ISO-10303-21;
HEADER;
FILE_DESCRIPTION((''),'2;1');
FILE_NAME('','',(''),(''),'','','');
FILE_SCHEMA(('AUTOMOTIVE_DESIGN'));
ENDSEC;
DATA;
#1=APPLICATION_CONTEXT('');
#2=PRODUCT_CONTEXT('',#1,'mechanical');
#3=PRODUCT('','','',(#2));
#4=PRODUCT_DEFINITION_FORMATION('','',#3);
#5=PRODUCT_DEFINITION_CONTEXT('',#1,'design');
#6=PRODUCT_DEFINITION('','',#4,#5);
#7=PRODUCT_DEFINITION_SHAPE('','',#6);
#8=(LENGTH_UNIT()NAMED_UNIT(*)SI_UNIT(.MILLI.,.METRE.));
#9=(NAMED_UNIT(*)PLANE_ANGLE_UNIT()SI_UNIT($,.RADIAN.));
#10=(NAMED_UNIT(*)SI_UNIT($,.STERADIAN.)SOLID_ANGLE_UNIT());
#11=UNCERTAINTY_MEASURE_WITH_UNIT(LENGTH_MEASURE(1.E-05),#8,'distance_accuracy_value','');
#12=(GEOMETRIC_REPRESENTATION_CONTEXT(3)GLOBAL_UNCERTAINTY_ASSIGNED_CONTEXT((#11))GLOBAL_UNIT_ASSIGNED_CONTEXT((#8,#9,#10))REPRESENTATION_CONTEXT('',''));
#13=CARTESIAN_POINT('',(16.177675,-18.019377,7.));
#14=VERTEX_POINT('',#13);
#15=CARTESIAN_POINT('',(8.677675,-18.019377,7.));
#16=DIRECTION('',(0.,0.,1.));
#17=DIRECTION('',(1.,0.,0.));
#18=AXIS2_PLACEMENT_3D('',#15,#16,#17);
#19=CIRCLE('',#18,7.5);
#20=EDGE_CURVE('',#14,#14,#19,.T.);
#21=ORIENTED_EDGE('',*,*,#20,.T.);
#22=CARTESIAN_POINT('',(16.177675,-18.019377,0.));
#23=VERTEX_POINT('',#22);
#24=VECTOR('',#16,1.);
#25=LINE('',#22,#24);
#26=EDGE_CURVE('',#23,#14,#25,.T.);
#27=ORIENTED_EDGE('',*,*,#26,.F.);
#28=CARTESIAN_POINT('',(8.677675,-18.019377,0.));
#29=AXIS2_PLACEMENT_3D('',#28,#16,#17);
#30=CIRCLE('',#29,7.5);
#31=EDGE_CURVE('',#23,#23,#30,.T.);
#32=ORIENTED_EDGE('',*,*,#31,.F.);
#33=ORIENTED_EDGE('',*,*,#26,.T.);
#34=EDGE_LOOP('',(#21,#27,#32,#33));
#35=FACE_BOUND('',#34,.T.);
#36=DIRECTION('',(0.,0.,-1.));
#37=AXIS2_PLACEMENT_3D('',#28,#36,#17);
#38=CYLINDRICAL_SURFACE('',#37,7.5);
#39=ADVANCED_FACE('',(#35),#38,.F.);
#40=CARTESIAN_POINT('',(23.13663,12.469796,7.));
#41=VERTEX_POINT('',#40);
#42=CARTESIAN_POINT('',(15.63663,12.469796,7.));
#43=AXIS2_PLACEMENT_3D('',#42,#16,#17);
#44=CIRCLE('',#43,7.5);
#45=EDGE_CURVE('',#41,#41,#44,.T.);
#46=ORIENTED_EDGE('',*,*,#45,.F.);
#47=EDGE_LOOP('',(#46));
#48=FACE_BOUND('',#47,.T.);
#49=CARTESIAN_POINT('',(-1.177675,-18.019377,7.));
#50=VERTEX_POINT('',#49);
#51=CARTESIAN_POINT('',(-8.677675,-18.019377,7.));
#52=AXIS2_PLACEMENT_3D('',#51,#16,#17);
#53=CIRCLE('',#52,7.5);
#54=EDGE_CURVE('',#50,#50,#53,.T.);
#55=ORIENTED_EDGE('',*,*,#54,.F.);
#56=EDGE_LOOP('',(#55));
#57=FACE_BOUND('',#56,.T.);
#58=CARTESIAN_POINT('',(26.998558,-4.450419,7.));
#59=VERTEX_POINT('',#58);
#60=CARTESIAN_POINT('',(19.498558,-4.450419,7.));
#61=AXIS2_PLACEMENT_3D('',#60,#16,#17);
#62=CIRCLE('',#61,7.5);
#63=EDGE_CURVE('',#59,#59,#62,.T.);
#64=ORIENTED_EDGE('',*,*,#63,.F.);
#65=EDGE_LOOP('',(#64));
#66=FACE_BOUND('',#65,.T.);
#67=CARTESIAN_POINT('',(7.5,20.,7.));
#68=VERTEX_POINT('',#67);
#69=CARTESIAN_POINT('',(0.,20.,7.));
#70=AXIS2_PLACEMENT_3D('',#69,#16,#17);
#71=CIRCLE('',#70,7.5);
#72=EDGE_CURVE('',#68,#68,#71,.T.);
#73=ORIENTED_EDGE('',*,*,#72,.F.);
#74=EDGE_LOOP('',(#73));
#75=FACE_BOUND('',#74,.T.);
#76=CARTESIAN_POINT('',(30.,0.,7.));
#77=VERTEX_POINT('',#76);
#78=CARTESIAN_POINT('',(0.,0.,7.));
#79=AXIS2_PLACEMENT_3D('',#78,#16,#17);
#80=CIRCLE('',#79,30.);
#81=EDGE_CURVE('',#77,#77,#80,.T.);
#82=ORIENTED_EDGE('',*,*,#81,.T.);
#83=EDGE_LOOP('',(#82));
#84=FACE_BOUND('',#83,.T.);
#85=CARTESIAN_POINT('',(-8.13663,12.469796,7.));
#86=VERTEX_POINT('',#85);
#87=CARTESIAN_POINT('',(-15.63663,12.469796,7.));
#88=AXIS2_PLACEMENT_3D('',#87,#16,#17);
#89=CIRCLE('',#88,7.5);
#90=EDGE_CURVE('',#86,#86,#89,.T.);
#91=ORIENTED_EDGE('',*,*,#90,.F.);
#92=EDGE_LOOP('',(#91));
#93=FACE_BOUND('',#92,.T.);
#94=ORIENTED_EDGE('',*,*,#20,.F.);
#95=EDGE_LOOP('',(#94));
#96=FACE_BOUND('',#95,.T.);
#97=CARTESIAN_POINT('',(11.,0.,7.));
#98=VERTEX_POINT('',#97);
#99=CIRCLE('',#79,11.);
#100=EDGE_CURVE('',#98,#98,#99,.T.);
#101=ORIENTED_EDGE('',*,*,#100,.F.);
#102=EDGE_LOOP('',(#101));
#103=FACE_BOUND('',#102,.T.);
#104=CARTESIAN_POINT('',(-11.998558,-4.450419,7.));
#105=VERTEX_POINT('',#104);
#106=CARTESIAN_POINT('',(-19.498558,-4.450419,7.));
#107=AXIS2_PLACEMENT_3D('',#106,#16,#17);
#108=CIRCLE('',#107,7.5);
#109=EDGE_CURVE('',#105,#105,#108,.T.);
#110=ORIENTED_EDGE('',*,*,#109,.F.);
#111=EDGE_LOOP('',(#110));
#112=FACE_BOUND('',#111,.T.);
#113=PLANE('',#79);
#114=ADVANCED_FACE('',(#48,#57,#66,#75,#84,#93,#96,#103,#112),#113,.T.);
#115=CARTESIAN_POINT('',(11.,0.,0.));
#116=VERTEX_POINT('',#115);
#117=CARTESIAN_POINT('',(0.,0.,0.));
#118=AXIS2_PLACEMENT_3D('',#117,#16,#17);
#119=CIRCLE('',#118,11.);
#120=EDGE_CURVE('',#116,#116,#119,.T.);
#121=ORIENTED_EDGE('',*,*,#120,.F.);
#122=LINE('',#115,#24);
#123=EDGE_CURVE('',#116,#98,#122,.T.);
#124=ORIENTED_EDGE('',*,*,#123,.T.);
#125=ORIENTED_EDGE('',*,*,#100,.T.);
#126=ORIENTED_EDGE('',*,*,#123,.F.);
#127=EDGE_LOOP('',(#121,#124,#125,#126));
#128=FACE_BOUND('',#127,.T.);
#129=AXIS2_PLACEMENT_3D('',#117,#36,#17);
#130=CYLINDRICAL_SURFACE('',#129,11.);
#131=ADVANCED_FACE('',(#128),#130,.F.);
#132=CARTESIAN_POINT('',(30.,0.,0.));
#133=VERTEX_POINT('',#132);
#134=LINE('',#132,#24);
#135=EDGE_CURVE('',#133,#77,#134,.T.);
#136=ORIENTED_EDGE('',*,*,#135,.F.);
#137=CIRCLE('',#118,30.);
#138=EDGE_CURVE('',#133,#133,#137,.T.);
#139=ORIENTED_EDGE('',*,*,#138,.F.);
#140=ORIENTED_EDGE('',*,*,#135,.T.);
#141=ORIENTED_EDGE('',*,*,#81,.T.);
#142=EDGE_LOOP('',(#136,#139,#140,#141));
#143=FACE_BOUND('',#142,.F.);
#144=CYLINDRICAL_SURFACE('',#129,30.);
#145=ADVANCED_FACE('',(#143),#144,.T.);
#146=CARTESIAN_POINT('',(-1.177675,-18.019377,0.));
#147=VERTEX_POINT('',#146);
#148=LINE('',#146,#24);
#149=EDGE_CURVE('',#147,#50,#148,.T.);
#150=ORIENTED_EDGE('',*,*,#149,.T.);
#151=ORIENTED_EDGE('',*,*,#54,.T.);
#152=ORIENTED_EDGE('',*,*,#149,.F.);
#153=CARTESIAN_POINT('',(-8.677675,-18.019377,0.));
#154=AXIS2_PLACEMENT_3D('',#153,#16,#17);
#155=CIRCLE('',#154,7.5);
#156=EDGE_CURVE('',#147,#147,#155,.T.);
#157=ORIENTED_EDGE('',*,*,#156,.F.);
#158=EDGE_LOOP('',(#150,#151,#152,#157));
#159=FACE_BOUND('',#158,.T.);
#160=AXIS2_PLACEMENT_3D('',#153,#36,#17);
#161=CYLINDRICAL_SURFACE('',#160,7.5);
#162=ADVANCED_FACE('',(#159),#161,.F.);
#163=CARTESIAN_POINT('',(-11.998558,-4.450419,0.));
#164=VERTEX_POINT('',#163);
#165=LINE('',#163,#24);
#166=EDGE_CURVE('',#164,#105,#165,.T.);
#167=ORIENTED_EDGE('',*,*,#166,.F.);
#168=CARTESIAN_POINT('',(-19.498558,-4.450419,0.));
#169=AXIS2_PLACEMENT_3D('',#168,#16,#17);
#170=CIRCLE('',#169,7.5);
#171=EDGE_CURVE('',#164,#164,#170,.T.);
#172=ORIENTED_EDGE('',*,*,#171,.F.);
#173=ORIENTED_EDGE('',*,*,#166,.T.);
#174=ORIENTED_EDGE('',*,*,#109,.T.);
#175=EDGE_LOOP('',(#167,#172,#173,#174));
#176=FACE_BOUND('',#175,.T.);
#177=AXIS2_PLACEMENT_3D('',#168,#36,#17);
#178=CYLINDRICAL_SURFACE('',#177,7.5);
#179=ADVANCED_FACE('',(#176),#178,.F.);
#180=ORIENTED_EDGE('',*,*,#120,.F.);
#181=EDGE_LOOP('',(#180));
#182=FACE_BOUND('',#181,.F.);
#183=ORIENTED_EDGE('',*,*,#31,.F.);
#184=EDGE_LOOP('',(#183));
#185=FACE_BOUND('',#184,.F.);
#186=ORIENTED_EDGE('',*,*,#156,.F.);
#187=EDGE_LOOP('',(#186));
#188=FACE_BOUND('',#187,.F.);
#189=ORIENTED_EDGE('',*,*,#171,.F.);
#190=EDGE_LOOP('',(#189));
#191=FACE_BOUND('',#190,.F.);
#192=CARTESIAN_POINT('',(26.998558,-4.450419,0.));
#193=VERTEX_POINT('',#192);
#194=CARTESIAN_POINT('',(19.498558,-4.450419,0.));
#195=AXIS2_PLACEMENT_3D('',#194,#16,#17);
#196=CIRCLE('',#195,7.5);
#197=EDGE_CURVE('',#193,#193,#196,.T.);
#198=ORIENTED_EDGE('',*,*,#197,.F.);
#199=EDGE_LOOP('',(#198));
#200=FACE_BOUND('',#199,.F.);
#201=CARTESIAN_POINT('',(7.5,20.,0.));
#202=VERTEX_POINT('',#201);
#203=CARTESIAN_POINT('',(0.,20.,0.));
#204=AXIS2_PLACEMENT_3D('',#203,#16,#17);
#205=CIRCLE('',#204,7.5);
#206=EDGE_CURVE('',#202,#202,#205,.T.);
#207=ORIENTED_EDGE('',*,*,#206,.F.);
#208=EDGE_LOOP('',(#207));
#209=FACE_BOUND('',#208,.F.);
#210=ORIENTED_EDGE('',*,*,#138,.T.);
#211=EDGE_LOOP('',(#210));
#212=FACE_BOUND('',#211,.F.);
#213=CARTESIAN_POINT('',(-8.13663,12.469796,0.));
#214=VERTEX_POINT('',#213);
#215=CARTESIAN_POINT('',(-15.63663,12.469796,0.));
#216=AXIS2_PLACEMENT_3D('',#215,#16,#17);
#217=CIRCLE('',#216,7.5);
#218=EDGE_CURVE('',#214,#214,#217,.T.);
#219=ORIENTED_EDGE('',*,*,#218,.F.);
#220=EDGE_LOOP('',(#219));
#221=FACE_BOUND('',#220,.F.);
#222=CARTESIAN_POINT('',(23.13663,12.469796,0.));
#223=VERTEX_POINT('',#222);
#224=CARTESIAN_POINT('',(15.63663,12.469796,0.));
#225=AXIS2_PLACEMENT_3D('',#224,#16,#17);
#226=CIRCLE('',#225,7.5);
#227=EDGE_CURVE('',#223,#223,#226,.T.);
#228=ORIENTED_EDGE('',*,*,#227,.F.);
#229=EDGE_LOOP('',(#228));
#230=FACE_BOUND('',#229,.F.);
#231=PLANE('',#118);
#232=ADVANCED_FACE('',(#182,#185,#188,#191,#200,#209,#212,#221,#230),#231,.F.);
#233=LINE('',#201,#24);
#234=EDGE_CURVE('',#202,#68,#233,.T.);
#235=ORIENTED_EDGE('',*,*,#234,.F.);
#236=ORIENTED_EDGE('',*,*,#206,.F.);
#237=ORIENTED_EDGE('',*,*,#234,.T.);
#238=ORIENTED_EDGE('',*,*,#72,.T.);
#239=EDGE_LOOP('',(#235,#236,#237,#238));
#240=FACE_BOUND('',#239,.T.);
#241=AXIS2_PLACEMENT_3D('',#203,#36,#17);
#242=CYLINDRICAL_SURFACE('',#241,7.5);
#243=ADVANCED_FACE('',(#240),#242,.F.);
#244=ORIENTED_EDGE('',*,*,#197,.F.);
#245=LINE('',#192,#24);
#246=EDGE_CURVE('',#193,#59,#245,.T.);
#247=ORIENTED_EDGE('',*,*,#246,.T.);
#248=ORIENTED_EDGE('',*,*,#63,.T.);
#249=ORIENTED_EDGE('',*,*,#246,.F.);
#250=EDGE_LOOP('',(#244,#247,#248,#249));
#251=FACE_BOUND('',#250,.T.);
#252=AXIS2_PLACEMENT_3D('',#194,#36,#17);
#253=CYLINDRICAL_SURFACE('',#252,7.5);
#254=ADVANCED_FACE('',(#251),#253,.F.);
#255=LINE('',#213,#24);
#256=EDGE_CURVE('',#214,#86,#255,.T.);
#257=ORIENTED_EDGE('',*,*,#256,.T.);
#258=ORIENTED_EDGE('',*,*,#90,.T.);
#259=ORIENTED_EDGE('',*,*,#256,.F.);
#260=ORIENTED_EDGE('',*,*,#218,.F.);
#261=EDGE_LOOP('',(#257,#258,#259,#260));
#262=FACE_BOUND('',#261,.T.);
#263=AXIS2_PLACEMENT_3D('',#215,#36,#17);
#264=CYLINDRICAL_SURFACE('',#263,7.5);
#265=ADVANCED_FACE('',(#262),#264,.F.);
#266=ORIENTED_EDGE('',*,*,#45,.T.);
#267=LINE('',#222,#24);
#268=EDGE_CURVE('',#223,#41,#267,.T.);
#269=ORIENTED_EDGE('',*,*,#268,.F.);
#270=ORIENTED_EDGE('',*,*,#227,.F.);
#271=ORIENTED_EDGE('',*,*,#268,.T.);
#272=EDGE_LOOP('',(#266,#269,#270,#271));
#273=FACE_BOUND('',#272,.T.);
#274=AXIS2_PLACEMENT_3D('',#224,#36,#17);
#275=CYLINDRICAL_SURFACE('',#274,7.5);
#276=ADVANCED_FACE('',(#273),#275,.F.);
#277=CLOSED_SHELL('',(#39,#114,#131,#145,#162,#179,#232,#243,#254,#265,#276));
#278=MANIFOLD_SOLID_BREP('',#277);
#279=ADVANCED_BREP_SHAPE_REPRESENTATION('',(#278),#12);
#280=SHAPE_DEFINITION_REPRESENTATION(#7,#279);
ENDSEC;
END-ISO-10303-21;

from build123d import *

# Parameters (mm, degrees)
F0_R     = 30
F0_R_2   = 7.5
F0_R_3   = 11
F1_DEPTH = 7


with BuildPart() as f1:
    # F0 (on Top) → F1 (new body)
    with BuildSketch(Plane.XY):
        Circle(F0_R)
        with Locations((-8.677675, -18.019377)):
            Circle(F0_R_2, mode=Mode.SUBTRACT)
        with Locations((-19.498558, -4.450419)):
            Circle(F0_R_2, mode=Mode.SUBTRACT)
        with Locations((8.677675, -18.019377)):
            Circle(F0_R_2, mode=Mode.SUBTRACT)
        with Locations((19.498558, -4.450419)):
            Circle(F0_R_2, mode=Mode.SUBTRACT)
        with Locations((-15.63663, 12.469796)):
            Circle(F0_R_2, mode=Mode.SUBTRACT)
        Circle(F0_R_3, mode=Mode.SUBTRACT)
        with Locations((15.63663, 12.469796)):
            Circle(F0_R_2, mode=Mode.SUBTRACT)
        with Locations((0, 20)):
            Circle(F0_R_2, mode=Mode.SUBTRACT)
    extrude(amount=F1_DEPTH)


solid = f1.part
